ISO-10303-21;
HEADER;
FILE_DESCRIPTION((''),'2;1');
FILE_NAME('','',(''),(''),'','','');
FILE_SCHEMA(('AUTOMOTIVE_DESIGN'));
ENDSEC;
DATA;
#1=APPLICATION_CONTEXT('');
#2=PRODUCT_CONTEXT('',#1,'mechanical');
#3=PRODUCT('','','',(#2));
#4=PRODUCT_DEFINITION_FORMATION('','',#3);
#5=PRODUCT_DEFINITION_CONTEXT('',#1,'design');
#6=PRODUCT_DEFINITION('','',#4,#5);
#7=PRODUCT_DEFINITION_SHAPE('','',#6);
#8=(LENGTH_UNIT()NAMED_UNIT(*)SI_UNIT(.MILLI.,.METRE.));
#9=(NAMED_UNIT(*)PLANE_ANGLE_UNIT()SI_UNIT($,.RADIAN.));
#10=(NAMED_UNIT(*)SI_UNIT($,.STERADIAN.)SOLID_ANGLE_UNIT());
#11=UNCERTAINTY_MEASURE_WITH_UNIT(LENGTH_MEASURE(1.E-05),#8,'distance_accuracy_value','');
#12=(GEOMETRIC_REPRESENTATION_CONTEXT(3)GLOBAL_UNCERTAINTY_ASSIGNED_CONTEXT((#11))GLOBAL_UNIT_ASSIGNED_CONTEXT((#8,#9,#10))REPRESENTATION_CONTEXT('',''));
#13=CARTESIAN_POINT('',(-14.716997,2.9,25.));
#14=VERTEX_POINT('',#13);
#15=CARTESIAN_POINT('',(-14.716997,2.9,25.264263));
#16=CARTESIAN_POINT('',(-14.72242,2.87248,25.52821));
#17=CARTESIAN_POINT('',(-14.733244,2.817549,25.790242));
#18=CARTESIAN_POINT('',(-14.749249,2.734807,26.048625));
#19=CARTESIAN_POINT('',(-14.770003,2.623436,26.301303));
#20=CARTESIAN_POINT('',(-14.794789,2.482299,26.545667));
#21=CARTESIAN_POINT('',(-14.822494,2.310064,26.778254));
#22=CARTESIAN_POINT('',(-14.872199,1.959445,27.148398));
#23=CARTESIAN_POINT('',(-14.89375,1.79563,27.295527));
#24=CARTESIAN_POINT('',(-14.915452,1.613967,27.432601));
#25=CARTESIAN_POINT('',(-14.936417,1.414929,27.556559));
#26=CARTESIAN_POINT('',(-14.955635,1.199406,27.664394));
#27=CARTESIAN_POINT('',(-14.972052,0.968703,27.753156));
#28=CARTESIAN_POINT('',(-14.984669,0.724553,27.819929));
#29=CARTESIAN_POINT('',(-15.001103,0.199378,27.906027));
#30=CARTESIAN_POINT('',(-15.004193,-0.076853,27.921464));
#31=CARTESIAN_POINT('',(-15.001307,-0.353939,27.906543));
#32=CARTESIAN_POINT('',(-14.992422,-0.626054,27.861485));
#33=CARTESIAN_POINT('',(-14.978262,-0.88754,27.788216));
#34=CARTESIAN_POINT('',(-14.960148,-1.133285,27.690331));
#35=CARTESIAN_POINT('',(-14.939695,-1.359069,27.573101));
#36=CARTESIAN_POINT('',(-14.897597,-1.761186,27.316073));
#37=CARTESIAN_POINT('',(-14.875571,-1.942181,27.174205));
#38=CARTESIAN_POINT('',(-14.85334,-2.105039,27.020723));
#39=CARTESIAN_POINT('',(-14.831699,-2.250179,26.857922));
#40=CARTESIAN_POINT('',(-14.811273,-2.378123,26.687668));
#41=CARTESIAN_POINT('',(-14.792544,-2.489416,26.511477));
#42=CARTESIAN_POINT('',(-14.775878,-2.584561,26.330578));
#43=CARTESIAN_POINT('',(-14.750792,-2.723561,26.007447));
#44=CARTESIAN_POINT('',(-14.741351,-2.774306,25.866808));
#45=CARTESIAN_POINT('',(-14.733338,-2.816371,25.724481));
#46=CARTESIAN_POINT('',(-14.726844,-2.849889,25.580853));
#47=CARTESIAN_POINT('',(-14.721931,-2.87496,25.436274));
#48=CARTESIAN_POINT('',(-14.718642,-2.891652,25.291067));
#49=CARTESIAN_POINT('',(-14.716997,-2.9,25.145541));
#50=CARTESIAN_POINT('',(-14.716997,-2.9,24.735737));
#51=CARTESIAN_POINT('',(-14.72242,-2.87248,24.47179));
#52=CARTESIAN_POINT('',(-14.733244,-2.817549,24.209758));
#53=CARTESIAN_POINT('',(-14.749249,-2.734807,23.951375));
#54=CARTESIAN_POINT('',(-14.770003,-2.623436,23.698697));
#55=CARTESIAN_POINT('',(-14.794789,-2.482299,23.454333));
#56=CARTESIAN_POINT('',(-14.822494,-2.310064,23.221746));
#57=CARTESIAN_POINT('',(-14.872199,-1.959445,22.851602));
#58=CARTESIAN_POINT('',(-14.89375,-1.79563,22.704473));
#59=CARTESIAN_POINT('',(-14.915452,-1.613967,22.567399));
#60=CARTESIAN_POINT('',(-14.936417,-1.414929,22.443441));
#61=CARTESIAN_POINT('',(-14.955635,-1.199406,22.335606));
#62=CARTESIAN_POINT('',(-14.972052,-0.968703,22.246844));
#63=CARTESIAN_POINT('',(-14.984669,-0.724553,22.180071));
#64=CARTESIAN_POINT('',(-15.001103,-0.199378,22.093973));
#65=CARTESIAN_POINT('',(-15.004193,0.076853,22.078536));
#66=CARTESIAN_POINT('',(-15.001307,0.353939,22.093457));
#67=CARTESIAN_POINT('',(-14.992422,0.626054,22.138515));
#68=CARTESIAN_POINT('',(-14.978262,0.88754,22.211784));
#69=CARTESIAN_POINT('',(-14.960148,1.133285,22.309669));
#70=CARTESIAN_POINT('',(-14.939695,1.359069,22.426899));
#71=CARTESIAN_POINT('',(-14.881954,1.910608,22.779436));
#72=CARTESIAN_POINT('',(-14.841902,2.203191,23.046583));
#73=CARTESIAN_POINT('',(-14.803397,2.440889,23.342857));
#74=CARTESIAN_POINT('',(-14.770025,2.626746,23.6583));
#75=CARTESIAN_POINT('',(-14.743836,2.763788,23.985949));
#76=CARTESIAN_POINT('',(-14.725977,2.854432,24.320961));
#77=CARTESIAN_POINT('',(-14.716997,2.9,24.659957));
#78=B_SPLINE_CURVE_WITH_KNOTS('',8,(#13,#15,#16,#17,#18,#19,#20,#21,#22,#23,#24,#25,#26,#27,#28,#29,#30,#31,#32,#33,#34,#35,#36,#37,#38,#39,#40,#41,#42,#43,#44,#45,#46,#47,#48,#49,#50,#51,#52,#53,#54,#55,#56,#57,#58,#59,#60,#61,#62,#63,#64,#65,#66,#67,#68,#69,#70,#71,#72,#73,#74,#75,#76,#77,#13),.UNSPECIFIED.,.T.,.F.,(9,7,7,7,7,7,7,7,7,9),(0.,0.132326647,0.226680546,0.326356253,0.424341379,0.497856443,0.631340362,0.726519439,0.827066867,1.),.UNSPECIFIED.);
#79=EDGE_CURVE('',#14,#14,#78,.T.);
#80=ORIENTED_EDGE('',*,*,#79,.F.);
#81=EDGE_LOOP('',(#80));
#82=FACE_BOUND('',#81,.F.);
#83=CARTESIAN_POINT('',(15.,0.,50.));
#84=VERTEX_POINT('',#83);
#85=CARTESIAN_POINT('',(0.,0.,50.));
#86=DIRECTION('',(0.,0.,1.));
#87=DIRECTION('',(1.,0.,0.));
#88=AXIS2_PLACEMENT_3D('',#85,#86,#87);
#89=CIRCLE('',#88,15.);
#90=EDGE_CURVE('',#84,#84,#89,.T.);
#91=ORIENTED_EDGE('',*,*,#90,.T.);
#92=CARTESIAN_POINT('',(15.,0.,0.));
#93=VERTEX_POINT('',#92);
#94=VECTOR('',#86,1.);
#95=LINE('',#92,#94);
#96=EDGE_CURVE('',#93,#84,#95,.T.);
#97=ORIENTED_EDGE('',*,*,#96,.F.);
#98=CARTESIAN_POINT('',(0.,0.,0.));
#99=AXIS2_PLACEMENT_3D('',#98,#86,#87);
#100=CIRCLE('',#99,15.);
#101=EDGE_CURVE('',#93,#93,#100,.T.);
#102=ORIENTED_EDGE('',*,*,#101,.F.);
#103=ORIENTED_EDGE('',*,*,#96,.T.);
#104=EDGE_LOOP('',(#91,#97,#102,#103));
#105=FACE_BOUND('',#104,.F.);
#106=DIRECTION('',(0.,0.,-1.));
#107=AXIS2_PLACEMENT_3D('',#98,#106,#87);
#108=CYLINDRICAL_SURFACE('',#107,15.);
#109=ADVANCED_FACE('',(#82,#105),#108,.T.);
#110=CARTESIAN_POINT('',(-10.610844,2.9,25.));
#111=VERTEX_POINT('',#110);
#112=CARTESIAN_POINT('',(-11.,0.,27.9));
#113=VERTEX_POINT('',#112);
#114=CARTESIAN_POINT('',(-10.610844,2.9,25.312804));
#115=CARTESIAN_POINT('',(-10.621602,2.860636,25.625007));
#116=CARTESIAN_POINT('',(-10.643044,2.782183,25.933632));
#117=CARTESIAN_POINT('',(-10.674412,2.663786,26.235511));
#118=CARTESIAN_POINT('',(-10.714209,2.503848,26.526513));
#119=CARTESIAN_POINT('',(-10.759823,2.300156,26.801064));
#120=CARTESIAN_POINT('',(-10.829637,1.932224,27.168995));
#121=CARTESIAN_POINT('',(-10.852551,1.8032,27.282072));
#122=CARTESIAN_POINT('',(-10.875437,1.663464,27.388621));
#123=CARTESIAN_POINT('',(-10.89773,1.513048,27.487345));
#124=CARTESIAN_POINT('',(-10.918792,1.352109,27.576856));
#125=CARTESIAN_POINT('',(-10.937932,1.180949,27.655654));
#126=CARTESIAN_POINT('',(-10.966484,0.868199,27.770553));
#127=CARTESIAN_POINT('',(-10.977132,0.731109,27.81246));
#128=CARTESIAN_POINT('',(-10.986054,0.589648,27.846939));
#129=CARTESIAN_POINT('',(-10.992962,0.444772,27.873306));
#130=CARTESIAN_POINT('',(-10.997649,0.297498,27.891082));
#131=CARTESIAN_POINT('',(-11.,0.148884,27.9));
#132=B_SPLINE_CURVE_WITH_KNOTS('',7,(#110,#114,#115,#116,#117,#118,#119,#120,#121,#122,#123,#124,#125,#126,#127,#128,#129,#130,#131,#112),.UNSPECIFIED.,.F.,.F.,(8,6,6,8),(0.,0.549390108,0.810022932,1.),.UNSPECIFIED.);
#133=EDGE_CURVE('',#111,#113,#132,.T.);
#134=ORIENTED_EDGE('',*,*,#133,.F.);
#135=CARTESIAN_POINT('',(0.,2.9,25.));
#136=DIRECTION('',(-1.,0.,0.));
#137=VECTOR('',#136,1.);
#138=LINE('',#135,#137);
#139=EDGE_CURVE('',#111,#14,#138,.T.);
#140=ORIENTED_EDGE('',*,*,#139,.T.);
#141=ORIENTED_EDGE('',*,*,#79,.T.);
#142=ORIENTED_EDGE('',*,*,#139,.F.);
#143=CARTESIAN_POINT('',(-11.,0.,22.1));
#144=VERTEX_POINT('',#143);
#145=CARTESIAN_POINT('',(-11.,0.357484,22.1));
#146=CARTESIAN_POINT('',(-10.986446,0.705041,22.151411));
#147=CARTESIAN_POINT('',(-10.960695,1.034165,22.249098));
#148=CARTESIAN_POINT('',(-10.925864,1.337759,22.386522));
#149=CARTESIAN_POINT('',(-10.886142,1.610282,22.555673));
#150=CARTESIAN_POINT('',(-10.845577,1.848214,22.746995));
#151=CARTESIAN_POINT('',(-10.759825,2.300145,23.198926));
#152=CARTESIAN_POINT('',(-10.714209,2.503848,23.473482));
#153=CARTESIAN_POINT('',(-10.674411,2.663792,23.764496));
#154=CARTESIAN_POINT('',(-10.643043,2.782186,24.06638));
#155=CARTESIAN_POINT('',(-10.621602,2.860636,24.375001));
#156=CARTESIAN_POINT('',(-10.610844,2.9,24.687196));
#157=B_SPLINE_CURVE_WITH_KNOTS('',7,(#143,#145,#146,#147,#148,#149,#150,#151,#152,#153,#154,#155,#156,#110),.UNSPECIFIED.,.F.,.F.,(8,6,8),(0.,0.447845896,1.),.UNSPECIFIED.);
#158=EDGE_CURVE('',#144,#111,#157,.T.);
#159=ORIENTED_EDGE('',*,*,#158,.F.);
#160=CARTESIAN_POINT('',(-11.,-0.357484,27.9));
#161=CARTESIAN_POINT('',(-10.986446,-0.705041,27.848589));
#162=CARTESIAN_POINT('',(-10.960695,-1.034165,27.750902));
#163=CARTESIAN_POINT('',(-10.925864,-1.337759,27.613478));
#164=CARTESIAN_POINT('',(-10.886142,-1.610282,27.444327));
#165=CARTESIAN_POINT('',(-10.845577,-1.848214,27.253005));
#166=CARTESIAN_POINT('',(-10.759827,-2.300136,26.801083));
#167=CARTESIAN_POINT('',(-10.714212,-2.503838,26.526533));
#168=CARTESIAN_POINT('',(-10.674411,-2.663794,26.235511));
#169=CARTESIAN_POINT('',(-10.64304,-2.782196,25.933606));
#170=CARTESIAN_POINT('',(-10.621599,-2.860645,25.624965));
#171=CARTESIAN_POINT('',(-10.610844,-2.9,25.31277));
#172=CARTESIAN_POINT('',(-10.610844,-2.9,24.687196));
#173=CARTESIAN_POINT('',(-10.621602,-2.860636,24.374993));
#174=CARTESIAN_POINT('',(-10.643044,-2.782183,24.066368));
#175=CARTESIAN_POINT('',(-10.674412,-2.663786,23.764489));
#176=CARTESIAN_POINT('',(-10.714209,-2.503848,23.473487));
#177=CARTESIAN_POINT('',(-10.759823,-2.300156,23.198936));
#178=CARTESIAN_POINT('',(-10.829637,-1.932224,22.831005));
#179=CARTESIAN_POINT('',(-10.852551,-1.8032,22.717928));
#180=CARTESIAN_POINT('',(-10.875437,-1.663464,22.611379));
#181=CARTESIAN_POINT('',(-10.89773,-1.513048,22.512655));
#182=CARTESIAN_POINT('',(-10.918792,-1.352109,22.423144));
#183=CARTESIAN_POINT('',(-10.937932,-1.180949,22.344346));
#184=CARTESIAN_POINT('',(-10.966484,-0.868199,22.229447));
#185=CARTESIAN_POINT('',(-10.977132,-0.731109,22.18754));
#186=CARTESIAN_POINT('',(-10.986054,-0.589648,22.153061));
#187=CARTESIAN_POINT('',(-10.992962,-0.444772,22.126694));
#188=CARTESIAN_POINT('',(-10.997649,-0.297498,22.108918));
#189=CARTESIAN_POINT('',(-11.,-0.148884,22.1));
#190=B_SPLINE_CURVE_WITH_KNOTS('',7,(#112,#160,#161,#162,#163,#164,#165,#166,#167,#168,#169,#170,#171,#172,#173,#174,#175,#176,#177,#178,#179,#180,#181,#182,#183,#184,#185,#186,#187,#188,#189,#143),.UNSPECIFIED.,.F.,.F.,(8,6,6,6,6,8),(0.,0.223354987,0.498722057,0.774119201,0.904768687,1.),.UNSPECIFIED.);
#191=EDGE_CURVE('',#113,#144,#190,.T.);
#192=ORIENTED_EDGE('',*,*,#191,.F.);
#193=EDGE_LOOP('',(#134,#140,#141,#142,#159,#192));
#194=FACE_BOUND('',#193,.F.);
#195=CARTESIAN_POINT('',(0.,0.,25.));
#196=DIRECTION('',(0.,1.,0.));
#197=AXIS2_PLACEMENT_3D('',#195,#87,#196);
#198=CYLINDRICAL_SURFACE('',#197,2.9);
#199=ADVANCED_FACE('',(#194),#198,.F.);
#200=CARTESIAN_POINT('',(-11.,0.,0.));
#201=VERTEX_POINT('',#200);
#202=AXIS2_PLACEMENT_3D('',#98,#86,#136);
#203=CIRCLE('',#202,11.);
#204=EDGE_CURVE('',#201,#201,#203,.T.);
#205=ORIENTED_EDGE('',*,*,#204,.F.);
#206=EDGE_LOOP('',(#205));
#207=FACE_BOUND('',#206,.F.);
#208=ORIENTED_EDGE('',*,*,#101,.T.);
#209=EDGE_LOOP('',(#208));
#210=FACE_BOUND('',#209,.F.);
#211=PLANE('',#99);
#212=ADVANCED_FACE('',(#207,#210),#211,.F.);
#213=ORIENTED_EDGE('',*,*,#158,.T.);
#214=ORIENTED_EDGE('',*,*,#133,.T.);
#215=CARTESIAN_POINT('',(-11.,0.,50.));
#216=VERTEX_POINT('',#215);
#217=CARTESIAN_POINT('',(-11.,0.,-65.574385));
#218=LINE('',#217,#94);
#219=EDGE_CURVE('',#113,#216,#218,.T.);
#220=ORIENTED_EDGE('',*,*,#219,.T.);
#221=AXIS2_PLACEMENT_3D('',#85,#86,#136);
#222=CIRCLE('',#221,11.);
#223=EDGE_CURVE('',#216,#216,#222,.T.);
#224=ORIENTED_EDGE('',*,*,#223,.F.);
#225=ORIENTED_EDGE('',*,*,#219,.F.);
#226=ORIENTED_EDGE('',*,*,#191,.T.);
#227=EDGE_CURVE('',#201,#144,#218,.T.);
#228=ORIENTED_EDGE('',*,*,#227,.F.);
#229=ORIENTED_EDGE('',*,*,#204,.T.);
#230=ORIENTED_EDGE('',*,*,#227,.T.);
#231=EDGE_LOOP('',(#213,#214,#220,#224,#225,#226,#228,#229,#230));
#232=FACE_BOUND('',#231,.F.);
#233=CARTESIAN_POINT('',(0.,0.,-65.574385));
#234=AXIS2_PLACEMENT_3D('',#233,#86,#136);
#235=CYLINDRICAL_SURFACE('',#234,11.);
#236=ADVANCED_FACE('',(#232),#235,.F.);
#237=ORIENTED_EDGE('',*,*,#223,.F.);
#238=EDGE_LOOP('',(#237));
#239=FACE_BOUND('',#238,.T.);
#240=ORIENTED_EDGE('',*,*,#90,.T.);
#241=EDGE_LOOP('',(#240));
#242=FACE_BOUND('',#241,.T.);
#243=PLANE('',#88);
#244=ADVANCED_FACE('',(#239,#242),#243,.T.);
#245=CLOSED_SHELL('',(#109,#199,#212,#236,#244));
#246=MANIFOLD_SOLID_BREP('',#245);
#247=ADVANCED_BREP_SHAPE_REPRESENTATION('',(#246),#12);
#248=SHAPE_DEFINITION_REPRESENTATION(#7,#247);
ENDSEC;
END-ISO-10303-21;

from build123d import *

# Parameters (mm, degrees)
F0_R     = 15
F1_DEPTH = 50
F2_D     = 22
F4_D     = 5.8
F4_DEPTH = 15.001


with BuildPart() as f1:
    # F0 (on Top) → F1 (new body)
    with BuildSketch(Plane.XY):
        Circle(F0_R)
    extrude(amount=F1_DEPTH)

    # F2 (through all)
    with Locations(Plane(origin=(0, 0, 0), x_dir=(1, 0, 0), z_dir=(0, 0, -1))):
        with Locations((0, 0)):
            Hole(F2_D / 2)

    # F4 (through all, one way)
    with BuildSketch(Plane.YZ):
        with Locations((0, 25)):
            Circle(F4_D / 2)
    extrude(amount=-F4_DEPTH, mode=Mode.SUBTRACT)


solid = f1.part
